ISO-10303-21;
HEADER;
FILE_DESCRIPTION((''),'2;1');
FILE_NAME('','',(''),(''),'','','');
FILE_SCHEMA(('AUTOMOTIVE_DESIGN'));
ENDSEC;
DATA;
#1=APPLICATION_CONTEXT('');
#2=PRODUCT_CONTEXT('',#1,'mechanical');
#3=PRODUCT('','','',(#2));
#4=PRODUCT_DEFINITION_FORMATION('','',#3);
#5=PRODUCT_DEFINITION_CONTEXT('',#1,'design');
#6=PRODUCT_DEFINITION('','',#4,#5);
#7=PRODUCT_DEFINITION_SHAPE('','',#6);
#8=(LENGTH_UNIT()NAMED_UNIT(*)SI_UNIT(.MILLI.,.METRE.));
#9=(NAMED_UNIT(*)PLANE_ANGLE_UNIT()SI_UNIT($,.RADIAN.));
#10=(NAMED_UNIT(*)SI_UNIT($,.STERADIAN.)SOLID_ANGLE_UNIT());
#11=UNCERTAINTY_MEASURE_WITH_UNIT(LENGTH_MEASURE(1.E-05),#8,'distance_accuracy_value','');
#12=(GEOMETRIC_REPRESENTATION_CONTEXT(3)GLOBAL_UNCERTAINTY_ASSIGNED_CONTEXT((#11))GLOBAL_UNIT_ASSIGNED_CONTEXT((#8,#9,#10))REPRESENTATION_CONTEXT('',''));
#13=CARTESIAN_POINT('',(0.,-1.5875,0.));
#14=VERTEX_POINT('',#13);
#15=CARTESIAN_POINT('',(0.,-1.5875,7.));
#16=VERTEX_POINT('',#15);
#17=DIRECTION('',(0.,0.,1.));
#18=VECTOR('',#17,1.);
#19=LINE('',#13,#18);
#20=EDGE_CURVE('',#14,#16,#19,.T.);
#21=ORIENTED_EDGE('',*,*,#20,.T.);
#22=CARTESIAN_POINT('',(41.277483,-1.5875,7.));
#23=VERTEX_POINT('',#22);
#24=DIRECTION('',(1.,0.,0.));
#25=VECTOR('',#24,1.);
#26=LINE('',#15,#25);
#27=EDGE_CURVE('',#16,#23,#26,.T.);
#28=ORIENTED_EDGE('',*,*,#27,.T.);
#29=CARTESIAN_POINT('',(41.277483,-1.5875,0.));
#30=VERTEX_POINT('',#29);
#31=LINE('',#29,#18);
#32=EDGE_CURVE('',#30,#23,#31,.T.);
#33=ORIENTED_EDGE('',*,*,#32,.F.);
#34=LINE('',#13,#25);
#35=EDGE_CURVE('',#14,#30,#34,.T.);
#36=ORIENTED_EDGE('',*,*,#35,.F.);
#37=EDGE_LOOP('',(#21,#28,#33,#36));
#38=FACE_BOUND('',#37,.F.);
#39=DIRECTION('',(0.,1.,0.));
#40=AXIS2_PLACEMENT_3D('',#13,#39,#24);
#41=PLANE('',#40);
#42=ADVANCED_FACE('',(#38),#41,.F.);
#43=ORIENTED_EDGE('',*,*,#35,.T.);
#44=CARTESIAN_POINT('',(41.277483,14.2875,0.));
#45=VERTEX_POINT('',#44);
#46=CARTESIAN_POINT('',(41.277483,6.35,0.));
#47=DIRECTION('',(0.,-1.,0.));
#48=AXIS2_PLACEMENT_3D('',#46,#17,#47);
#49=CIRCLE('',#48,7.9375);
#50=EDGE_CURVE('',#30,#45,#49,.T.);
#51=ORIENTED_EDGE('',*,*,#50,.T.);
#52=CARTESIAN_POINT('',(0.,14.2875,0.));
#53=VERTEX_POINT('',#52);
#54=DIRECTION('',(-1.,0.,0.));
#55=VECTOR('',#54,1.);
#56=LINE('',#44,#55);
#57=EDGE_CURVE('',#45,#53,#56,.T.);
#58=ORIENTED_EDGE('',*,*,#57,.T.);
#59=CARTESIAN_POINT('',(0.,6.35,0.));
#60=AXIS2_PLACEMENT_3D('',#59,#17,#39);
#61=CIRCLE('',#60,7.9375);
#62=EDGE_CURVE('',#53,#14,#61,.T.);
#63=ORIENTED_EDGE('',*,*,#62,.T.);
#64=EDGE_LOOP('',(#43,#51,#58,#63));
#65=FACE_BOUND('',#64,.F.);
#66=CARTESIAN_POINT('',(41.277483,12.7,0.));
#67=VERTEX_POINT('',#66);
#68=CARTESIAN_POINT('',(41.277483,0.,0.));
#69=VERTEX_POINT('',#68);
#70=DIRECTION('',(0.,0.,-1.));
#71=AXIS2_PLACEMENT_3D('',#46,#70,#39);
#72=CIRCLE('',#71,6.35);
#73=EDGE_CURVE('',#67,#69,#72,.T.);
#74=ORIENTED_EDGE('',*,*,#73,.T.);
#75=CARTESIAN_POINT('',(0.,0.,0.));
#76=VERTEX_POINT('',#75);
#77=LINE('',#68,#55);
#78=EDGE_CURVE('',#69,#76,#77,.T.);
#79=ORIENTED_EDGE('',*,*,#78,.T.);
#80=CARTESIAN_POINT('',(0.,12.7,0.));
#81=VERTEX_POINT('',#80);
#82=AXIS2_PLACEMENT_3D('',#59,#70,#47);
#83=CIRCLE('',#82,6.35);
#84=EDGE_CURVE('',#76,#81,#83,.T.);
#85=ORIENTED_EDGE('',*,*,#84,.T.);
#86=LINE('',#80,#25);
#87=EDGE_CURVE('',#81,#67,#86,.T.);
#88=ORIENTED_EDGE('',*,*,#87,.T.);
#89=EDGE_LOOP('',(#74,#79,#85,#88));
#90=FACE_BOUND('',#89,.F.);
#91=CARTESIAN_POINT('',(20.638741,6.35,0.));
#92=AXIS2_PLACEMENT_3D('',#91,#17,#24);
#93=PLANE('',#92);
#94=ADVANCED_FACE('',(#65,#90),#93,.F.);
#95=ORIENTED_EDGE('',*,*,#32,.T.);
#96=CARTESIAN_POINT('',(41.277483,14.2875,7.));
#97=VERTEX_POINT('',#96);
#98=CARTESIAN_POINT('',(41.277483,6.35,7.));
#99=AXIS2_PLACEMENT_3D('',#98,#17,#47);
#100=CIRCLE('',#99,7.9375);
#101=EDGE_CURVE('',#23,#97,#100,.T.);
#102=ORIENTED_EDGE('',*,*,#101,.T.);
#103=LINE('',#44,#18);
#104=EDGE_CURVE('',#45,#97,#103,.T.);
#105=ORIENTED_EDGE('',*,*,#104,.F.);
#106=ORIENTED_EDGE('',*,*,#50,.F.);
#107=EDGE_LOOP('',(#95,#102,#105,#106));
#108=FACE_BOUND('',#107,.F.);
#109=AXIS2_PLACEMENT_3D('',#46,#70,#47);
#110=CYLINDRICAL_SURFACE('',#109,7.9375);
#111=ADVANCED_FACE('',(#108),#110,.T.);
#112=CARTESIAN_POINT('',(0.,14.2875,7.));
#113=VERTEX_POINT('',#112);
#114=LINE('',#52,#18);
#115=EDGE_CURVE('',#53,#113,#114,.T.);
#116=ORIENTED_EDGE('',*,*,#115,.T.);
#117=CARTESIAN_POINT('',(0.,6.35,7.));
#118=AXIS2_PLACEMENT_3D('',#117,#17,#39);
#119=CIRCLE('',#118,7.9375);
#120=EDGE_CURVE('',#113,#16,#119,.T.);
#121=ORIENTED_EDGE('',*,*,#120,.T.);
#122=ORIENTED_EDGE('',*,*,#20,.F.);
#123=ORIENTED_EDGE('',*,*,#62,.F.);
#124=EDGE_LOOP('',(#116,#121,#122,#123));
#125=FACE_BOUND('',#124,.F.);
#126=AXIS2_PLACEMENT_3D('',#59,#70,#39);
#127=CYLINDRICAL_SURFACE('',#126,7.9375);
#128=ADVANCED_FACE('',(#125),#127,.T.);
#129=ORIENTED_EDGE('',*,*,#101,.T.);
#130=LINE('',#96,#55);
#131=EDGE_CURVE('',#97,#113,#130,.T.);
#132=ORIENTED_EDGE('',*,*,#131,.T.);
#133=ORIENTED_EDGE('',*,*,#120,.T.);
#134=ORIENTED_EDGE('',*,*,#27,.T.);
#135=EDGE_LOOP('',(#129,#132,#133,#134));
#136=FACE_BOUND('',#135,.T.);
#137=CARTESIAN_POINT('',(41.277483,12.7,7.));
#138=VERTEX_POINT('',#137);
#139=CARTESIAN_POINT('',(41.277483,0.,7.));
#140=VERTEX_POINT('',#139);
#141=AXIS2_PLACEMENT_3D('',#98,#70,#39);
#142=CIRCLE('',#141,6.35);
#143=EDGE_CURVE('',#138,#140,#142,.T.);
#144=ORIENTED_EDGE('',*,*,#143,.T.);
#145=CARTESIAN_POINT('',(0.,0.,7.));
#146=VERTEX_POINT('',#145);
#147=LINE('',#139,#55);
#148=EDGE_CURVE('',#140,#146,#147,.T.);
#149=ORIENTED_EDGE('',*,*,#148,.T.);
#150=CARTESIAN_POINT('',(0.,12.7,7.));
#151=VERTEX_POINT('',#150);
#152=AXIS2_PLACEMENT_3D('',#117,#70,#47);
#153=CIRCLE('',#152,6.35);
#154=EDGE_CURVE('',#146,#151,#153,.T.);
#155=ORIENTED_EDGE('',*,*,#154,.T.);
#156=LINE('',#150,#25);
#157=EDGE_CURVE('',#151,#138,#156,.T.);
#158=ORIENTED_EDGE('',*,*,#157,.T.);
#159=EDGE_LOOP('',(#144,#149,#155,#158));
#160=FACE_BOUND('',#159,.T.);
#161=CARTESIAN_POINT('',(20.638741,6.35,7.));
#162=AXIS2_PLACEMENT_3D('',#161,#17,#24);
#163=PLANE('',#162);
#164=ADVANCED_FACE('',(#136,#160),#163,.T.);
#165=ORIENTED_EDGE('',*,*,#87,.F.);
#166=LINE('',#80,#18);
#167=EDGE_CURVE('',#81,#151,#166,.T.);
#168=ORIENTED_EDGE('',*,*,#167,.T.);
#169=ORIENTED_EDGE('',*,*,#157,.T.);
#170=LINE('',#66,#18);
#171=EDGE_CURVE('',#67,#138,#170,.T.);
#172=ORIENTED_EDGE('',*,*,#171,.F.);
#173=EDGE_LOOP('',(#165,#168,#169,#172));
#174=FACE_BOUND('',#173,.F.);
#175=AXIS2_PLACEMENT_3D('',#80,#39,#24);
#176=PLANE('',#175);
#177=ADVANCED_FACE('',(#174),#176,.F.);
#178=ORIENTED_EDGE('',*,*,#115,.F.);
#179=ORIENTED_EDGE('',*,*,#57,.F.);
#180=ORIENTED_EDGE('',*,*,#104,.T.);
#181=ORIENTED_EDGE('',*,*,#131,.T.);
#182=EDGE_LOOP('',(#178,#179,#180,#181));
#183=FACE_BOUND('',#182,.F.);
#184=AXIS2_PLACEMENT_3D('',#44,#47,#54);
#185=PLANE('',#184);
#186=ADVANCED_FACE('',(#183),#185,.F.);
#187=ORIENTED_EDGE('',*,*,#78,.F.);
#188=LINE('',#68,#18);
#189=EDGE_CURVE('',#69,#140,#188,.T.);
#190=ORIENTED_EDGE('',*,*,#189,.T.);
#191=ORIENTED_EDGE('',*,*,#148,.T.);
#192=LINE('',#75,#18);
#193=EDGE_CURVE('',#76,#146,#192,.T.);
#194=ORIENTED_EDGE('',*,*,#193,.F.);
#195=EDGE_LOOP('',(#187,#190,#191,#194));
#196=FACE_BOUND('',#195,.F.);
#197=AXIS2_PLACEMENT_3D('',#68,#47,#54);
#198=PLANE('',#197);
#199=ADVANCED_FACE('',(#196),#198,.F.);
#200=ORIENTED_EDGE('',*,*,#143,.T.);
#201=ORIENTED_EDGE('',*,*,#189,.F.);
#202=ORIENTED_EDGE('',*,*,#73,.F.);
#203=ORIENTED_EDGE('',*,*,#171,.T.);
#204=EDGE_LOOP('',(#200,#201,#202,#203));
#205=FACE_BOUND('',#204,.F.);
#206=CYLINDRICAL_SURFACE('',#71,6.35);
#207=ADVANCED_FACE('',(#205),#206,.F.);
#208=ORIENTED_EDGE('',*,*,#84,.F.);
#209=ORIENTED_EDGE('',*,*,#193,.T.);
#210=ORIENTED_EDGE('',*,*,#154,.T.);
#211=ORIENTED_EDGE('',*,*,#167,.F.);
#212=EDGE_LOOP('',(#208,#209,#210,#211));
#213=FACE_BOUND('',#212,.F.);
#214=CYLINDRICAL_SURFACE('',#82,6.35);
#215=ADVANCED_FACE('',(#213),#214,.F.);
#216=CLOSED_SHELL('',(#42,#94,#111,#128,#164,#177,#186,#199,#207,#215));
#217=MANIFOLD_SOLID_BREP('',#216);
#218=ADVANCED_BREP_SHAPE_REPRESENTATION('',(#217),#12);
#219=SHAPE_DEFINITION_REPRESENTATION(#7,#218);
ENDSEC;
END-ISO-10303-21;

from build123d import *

# Parameters (mm, degrees)
F1_DEPTH = 7


with BuildPart() as f1:
    # F0 (on Top) → F1 (new body)
    with BuildSketch(Plane.XY):
        with BuildLine():
            Line((41.277483, 14.2875), (0, 14.2875))
            ThreePointArc((0, 14.2875), (-7.9375, 6.35), (0, -1.5875))
            Line((0, -1.5875), (41.277483, -1.5875))
            ThreePointArc((41.277483, -1.5875), (49.214983, 6.35), (41.277483, 14.2875))
        make_face()
        with BuildLine():
            Line((41.277483, 0), (0, 0))
            ThreePointArc((0, 0), (-6.35, 6.35), (0, 12.7))
            Line((0, 12.7), (41.277483, 12.7))
            ThreePointArc((41.277483, 12.7), (47.627483, 6.35), (41.277483, 0))
        make_face(mode=Mode.SUBTRACT)
    extrude(amount=F1_DEPTH)


solid = f1.part
